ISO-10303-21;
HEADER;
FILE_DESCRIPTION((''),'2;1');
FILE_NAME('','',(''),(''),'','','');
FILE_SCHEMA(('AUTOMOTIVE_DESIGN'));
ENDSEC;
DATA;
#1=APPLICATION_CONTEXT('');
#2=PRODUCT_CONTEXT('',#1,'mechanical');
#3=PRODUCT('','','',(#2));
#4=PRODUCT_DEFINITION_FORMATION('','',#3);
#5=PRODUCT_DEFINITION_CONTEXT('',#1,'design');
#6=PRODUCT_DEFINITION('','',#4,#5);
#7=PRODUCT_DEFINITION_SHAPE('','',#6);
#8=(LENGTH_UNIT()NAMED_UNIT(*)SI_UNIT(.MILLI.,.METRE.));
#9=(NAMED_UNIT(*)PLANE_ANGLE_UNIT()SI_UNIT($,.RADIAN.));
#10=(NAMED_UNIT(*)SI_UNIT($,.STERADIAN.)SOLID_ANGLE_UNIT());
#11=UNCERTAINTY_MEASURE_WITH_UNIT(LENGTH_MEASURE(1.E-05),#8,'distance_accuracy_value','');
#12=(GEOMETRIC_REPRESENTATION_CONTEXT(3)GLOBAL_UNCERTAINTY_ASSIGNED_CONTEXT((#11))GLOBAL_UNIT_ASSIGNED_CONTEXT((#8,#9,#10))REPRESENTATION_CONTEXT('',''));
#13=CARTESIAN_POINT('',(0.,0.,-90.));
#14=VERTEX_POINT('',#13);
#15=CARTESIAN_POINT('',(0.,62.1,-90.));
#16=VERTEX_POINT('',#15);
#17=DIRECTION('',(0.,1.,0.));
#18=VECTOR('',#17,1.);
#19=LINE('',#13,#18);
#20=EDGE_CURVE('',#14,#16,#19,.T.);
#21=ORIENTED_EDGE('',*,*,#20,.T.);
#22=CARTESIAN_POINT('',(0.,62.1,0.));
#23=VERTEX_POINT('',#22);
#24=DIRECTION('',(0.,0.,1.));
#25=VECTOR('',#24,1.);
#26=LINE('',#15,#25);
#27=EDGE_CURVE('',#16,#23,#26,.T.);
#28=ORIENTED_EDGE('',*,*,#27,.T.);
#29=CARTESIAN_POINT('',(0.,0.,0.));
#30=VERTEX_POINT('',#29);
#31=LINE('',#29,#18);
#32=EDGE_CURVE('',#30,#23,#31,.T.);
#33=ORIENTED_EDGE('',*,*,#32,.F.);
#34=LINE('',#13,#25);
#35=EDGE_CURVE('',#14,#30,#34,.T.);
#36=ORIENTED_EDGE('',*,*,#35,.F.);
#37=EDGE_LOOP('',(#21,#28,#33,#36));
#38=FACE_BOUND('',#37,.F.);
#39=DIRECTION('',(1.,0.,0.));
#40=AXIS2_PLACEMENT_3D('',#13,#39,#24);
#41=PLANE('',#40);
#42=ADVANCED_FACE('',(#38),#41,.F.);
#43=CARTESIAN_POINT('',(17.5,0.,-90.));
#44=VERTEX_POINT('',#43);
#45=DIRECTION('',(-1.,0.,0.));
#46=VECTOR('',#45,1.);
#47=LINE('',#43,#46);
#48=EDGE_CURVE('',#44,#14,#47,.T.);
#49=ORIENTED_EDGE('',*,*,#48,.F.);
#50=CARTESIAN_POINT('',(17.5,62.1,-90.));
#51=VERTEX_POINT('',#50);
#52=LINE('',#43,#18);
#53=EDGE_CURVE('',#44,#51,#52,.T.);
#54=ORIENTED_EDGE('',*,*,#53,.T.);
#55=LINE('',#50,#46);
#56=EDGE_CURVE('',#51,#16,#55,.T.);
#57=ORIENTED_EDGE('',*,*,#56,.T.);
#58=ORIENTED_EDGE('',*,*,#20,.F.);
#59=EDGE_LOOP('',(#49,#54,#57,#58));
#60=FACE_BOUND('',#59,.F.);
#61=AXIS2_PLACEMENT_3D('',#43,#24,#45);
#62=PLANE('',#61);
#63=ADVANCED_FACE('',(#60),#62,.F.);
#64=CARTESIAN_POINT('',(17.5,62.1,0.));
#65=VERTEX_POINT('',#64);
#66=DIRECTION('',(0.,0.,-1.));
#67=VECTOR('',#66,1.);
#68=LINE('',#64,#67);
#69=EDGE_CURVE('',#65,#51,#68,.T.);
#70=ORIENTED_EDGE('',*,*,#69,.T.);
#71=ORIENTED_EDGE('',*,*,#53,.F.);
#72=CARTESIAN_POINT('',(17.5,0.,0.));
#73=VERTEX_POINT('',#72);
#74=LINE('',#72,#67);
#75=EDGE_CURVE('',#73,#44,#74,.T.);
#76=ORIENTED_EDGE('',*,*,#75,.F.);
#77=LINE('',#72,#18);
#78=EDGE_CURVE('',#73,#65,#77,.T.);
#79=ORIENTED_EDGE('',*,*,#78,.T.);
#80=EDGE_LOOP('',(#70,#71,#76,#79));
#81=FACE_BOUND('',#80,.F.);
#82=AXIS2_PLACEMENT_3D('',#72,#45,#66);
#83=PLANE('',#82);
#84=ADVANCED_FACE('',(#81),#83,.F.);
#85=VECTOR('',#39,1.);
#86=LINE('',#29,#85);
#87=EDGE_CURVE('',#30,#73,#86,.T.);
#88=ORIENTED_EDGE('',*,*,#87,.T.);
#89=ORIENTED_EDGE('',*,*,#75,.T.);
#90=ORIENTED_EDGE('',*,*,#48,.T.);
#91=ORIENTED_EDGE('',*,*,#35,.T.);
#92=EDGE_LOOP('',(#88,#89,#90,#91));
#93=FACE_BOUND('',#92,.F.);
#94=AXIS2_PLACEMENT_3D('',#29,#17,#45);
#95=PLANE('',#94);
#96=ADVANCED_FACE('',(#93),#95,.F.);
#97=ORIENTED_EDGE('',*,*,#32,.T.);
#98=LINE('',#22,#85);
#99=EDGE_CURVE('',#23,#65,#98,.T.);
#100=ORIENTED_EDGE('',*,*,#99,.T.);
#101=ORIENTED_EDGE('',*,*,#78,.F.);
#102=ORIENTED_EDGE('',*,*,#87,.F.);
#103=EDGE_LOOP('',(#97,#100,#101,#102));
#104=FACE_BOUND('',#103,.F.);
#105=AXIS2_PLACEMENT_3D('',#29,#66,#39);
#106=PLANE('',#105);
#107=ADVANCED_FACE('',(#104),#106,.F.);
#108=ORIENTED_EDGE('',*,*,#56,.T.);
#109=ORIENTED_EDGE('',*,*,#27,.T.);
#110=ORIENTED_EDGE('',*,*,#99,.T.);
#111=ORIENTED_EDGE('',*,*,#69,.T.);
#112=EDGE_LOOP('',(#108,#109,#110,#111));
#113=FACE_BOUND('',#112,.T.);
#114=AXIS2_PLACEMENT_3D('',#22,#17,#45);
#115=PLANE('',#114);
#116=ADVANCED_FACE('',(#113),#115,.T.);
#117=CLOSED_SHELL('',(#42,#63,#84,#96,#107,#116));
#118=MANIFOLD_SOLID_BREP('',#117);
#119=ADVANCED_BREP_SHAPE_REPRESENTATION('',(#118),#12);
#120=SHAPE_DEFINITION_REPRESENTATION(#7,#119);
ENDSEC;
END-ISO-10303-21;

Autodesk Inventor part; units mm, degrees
ref_plane "YZ Plane" through (0, 0, 0) normal (1, 0, 0) x (0, 1, 0)
ref_plane "XZ Plane" through (0, 0, 0) normal (0, 1, 0) x (-1, 0, 0)
ref_plane "XY Plane" through (0, 0, 0) normal (0, 0, 1) x (1, 0, 0)
sketch "Sketch1" plane through (0, 0, 0) normal (0, 1, 0) x (-1, 0, 0)
  line L0 (0, 0) -> (-17.5, 0)
  line L1 (-17.5, 0) -> (-17.5, -90)
  line L2 (-17.5, -90) -> (0, -90)
  line L3 (0, -90) -> (0, 0)
  dimension "d0" = 17.5
  dimension "d1" = 90
extrude "Extrusion1" add sketch "Sketch1" along normal blind 62.1
properties part number "din_voltage_regulator"
